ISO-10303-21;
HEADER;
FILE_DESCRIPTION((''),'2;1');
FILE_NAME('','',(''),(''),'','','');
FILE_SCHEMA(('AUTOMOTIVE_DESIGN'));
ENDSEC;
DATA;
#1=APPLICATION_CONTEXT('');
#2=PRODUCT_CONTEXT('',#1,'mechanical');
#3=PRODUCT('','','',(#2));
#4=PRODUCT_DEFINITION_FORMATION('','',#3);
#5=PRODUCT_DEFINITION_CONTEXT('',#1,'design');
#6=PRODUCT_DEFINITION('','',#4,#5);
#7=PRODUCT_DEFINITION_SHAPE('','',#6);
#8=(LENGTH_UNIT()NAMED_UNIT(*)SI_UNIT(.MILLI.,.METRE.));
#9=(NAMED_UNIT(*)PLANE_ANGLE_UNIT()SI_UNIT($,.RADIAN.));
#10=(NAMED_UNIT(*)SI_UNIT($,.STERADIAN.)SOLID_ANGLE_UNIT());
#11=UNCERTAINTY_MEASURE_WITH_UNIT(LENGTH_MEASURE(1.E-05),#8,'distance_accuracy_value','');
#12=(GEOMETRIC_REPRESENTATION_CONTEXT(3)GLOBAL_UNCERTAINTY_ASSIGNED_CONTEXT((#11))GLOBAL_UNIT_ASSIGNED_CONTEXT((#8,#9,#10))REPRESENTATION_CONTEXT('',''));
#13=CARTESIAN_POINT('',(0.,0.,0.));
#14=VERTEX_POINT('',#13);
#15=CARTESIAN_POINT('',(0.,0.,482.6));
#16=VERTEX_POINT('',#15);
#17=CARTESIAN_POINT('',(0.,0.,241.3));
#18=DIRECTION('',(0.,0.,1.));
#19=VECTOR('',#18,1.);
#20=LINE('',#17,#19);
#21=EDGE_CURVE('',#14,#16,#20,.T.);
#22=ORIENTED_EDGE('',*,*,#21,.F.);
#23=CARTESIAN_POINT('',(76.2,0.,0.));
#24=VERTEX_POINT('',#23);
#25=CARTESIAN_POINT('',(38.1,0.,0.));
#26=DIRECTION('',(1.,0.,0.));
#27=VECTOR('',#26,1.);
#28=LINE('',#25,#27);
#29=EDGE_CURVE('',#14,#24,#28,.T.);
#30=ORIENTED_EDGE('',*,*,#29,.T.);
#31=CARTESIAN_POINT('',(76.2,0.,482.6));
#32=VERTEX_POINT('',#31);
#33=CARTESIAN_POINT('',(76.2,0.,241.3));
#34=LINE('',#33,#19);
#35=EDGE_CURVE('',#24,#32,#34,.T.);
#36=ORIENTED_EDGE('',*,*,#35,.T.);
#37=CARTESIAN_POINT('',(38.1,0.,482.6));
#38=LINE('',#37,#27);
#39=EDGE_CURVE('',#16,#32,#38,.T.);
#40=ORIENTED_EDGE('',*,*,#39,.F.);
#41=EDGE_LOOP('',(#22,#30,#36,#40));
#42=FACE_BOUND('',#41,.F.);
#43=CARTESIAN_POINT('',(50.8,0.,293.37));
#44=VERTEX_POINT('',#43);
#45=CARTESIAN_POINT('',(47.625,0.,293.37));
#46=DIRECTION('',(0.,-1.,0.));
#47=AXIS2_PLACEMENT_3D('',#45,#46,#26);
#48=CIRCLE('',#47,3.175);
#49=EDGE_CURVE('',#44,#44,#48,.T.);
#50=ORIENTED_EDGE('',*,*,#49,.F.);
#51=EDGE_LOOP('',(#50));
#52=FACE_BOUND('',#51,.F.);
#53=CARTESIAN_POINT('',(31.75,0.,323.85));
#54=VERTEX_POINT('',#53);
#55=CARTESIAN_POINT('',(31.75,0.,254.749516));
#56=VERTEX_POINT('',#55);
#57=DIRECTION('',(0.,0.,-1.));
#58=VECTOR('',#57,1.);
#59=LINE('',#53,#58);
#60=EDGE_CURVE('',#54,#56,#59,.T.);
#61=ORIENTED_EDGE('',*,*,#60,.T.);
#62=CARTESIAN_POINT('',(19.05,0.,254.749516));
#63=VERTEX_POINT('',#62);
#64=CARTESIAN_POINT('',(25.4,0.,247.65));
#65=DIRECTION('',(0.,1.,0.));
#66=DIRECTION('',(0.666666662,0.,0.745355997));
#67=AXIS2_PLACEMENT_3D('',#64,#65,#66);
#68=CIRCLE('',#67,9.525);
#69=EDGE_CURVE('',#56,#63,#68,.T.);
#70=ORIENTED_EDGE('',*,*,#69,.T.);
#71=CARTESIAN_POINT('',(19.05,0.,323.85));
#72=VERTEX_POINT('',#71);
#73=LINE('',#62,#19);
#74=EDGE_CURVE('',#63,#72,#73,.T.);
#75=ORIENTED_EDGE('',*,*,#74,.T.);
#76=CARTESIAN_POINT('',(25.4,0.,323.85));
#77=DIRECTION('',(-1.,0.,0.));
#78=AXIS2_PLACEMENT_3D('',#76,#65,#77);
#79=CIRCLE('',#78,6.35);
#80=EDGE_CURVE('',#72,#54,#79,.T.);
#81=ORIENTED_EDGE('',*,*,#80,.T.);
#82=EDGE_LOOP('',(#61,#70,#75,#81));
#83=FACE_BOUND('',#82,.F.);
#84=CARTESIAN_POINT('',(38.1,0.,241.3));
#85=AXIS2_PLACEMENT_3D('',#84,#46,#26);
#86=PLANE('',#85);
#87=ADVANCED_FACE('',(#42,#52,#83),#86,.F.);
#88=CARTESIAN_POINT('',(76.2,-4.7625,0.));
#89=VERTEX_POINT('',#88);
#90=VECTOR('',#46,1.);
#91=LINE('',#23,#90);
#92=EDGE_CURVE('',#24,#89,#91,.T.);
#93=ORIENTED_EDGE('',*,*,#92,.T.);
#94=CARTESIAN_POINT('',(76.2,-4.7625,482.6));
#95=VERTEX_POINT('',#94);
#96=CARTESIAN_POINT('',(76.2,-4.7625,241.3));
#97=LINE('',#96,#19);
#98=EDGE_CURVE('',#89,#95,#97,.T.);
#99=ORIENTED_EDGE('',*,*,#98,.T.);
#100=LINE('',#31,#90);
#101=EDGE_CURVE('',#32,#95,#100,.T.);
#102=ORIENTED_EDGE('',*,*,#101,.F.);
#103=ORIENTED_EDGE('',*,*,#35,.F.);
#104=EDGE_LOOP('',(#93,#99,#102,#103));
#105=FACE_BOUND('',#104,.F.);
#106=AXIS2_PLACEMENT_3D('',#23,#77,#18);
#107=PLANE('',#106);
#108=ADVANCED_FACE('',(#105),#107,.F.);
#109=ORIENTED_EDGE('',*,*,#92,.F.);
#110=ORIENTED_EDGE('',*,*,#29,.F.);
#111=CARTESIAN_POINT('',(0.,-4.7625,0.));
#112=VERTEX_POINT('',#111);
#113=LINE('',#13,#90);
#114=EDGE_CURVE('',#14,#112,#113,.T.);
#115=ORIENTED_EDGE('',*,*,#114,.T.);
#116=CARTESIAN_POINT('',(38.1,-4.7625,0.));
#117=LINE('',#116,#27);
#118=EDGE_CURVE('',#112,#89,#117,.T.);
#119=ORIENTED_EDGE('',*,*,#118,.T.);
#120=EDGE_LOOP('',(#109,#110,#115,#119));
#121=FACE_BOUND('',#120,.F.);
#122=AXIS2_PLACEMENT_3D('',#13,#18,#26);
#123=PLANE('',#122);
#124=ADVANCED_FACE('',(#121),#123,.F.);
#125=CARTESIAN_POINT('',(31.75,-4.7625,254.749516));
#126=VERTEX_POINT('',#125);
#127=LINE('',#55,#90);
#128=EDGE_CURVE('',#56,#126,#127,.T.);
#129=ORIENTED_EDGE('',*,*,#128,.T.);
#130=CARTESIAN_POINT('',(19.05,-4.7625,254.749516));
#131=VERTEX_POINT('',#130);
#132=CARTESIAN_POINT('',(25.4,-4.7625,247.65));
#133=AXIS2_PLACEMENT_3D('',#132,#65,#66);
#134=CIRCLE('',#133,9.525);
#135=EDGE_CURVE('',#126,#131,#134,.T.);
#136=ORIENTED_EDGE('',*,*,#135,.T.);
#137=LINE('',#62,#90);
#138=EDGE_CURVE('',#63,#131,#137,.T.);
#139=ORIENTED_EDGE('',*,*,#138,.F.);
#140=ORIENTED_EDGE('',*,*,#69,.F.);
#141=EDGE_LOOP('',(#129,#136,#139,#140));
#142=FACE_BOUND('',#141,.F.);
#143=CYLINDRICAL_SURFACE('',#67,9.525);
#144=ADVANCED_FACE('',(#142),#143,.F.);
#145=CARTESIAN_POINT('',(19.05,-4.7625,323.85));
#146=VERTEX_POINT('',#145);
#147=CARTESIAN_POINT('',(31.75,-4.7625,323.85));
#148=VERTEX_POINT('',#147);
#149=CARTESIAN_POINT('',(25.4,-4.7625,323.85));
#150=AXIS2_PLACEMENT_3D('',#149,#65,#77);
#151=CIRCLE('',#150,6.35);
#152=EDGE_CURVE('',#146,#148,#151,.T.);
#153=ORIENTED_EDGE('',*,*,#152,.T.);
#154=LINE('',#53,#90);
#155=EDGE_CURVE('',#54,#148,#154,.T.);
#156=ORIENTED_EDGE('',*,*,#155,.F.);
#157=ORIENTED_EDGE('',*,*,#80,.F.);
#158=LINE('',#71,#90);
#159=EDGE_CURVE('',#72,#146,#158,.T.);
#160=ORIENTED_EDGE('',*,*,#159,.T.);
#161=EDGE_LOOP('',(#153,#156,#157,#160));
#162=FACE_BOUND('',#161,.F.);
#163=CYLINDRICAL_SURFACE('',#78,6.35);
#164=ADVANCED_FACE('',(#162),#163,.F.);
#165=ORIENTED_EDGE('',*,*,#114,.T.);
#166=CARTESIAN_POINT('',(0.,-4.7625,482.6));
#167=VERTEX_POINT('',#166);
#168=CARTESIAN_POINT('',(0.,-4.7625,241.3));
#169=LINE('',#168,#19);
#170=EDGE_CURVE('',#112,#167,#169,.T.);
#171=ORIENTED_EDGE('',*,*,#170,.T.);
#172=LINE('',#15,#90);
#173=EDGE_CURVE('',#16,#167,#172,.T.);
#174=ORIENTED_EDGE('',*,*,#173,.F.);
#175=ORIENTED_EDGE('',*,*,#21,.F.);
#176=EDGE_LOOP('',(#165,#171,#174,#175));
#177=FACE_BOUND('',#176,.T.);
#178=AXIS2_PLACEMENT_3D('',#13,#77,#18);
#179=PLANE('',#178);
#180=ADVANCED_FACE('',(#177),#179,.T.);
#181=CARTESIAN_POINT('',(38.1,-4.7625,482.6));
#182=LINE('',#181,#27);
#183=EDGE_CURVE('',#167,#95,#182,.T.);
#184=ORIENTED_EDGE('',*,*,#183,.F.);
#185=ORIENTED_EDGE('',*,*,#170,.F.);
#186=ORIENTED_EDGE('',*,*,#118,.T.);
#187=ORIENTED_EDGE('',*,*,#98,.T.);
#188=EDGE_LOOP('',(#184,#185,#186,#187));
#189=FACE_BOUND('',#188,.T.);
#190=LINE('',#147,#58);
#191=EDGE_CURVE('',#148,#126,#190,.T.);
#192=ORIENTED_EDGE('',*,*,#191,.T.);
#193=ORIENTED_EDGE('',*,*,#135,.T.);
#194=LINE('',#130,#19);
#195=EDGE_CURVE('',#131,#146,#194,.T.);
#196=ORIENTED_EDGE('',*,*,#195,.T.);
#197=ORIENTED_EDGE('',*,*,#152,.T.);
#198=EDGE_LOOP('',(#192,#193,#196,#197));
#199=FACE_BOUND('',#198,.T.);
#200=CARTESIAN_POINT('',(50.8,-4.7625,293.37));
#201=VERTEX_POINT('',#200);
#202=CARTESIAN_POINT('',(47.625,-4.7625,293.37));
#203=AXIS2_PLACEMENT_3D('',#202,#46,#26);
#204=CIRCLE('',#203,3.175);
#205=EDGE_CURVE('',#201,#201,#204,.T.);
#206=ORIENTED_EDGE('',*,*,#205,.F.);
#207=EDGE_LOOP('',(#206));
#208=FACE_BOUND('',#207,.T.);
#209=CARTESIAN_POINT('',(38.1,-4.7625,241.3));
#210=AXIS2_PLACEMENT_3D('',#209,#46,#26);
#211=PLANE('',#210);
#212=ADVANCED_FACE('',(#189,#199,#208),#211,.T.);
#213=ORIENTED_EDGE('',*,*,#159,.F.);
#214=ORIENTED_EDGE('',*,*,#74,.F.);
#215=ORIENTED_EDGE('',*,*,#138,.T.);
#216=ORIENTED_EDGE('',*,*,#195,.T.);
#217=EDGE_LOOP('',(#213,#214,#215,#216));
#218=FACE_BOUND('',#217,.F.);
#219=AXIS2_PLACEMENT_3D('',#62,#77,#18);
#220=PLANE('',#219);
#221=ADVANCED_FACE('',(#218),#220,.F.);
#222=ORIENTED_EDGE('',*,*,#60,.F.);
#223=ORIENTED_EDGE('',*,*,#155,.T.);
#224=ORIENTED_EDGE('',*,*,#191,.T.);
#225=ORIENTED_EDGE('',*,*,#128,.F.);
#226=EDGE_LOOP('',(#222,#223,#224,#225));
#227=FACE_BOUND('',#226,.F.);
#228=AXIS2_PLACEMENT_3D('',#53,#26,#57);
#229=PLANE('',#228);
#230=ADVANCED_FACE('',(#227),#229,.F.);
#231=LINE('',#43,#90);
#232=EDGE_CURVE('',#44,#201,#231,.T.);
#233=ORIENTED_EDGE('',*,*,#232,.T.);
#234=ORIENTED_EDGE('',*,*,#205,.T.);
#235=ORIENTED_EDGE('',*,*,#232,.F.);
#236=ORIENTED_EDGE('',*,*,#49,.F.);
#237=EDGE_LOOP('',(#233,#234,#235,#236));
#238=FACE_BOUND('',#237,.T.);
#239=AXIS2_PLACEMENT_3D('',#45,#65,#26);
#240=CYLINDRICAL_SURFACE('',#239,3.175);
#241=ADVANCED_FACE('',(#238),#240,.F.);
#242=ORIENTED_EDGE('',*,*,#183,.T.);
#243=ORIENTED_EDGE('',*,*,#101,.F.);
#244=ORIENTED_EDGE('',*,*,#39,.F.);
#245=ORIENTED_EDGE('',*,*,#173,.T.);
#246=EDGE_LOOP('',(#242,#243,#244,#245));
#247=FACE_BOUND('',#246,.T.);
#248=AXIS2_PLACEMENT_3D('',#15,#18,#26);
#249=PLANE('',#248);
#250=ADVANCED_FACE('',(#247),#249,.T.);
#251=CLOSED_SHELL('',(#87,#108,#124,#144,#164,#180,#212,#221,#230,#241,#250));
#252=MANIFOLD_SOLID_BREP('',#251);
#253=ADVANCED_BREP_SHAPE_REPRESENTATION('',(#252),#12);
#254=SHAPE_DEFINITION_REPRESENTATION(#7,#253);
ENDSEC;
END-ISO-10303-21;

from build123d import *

# Parameters (mm, degrees)
F0_W     = 76.2
F0_H     = 482.6
F0_R     = 3.175
F1_DEPTH = 4.7625


with BuildPart() as f1:
    # F0 (on Front) → F1 (new body)
    with BuildSketch(Plane.XZ):
        with Locations((38.1, 241.3)):
            Rectangle(F0_W, F0_H)
        with BuildLine():
            ThreePointArc((31.75, 254.749516), (25.4, 238.125), (19.05, 254.749516))
            Line((19.05, 254.749516), (19.05, 323.85))
            ThreePointArc((19.05, 323.85), (25.4, 330.2), (31.75, 323.85))
            Line((31.75, 323.85), (31.75, 254.749516))
        make_face(mode=Mode.SUBTRACT)
        with Locations((47.625, 293.37)):
            Circle(F0_R, mode=Mode.SUBTRACT)
    extrude(amount=F1_DEPTH)


solid = f1.part
